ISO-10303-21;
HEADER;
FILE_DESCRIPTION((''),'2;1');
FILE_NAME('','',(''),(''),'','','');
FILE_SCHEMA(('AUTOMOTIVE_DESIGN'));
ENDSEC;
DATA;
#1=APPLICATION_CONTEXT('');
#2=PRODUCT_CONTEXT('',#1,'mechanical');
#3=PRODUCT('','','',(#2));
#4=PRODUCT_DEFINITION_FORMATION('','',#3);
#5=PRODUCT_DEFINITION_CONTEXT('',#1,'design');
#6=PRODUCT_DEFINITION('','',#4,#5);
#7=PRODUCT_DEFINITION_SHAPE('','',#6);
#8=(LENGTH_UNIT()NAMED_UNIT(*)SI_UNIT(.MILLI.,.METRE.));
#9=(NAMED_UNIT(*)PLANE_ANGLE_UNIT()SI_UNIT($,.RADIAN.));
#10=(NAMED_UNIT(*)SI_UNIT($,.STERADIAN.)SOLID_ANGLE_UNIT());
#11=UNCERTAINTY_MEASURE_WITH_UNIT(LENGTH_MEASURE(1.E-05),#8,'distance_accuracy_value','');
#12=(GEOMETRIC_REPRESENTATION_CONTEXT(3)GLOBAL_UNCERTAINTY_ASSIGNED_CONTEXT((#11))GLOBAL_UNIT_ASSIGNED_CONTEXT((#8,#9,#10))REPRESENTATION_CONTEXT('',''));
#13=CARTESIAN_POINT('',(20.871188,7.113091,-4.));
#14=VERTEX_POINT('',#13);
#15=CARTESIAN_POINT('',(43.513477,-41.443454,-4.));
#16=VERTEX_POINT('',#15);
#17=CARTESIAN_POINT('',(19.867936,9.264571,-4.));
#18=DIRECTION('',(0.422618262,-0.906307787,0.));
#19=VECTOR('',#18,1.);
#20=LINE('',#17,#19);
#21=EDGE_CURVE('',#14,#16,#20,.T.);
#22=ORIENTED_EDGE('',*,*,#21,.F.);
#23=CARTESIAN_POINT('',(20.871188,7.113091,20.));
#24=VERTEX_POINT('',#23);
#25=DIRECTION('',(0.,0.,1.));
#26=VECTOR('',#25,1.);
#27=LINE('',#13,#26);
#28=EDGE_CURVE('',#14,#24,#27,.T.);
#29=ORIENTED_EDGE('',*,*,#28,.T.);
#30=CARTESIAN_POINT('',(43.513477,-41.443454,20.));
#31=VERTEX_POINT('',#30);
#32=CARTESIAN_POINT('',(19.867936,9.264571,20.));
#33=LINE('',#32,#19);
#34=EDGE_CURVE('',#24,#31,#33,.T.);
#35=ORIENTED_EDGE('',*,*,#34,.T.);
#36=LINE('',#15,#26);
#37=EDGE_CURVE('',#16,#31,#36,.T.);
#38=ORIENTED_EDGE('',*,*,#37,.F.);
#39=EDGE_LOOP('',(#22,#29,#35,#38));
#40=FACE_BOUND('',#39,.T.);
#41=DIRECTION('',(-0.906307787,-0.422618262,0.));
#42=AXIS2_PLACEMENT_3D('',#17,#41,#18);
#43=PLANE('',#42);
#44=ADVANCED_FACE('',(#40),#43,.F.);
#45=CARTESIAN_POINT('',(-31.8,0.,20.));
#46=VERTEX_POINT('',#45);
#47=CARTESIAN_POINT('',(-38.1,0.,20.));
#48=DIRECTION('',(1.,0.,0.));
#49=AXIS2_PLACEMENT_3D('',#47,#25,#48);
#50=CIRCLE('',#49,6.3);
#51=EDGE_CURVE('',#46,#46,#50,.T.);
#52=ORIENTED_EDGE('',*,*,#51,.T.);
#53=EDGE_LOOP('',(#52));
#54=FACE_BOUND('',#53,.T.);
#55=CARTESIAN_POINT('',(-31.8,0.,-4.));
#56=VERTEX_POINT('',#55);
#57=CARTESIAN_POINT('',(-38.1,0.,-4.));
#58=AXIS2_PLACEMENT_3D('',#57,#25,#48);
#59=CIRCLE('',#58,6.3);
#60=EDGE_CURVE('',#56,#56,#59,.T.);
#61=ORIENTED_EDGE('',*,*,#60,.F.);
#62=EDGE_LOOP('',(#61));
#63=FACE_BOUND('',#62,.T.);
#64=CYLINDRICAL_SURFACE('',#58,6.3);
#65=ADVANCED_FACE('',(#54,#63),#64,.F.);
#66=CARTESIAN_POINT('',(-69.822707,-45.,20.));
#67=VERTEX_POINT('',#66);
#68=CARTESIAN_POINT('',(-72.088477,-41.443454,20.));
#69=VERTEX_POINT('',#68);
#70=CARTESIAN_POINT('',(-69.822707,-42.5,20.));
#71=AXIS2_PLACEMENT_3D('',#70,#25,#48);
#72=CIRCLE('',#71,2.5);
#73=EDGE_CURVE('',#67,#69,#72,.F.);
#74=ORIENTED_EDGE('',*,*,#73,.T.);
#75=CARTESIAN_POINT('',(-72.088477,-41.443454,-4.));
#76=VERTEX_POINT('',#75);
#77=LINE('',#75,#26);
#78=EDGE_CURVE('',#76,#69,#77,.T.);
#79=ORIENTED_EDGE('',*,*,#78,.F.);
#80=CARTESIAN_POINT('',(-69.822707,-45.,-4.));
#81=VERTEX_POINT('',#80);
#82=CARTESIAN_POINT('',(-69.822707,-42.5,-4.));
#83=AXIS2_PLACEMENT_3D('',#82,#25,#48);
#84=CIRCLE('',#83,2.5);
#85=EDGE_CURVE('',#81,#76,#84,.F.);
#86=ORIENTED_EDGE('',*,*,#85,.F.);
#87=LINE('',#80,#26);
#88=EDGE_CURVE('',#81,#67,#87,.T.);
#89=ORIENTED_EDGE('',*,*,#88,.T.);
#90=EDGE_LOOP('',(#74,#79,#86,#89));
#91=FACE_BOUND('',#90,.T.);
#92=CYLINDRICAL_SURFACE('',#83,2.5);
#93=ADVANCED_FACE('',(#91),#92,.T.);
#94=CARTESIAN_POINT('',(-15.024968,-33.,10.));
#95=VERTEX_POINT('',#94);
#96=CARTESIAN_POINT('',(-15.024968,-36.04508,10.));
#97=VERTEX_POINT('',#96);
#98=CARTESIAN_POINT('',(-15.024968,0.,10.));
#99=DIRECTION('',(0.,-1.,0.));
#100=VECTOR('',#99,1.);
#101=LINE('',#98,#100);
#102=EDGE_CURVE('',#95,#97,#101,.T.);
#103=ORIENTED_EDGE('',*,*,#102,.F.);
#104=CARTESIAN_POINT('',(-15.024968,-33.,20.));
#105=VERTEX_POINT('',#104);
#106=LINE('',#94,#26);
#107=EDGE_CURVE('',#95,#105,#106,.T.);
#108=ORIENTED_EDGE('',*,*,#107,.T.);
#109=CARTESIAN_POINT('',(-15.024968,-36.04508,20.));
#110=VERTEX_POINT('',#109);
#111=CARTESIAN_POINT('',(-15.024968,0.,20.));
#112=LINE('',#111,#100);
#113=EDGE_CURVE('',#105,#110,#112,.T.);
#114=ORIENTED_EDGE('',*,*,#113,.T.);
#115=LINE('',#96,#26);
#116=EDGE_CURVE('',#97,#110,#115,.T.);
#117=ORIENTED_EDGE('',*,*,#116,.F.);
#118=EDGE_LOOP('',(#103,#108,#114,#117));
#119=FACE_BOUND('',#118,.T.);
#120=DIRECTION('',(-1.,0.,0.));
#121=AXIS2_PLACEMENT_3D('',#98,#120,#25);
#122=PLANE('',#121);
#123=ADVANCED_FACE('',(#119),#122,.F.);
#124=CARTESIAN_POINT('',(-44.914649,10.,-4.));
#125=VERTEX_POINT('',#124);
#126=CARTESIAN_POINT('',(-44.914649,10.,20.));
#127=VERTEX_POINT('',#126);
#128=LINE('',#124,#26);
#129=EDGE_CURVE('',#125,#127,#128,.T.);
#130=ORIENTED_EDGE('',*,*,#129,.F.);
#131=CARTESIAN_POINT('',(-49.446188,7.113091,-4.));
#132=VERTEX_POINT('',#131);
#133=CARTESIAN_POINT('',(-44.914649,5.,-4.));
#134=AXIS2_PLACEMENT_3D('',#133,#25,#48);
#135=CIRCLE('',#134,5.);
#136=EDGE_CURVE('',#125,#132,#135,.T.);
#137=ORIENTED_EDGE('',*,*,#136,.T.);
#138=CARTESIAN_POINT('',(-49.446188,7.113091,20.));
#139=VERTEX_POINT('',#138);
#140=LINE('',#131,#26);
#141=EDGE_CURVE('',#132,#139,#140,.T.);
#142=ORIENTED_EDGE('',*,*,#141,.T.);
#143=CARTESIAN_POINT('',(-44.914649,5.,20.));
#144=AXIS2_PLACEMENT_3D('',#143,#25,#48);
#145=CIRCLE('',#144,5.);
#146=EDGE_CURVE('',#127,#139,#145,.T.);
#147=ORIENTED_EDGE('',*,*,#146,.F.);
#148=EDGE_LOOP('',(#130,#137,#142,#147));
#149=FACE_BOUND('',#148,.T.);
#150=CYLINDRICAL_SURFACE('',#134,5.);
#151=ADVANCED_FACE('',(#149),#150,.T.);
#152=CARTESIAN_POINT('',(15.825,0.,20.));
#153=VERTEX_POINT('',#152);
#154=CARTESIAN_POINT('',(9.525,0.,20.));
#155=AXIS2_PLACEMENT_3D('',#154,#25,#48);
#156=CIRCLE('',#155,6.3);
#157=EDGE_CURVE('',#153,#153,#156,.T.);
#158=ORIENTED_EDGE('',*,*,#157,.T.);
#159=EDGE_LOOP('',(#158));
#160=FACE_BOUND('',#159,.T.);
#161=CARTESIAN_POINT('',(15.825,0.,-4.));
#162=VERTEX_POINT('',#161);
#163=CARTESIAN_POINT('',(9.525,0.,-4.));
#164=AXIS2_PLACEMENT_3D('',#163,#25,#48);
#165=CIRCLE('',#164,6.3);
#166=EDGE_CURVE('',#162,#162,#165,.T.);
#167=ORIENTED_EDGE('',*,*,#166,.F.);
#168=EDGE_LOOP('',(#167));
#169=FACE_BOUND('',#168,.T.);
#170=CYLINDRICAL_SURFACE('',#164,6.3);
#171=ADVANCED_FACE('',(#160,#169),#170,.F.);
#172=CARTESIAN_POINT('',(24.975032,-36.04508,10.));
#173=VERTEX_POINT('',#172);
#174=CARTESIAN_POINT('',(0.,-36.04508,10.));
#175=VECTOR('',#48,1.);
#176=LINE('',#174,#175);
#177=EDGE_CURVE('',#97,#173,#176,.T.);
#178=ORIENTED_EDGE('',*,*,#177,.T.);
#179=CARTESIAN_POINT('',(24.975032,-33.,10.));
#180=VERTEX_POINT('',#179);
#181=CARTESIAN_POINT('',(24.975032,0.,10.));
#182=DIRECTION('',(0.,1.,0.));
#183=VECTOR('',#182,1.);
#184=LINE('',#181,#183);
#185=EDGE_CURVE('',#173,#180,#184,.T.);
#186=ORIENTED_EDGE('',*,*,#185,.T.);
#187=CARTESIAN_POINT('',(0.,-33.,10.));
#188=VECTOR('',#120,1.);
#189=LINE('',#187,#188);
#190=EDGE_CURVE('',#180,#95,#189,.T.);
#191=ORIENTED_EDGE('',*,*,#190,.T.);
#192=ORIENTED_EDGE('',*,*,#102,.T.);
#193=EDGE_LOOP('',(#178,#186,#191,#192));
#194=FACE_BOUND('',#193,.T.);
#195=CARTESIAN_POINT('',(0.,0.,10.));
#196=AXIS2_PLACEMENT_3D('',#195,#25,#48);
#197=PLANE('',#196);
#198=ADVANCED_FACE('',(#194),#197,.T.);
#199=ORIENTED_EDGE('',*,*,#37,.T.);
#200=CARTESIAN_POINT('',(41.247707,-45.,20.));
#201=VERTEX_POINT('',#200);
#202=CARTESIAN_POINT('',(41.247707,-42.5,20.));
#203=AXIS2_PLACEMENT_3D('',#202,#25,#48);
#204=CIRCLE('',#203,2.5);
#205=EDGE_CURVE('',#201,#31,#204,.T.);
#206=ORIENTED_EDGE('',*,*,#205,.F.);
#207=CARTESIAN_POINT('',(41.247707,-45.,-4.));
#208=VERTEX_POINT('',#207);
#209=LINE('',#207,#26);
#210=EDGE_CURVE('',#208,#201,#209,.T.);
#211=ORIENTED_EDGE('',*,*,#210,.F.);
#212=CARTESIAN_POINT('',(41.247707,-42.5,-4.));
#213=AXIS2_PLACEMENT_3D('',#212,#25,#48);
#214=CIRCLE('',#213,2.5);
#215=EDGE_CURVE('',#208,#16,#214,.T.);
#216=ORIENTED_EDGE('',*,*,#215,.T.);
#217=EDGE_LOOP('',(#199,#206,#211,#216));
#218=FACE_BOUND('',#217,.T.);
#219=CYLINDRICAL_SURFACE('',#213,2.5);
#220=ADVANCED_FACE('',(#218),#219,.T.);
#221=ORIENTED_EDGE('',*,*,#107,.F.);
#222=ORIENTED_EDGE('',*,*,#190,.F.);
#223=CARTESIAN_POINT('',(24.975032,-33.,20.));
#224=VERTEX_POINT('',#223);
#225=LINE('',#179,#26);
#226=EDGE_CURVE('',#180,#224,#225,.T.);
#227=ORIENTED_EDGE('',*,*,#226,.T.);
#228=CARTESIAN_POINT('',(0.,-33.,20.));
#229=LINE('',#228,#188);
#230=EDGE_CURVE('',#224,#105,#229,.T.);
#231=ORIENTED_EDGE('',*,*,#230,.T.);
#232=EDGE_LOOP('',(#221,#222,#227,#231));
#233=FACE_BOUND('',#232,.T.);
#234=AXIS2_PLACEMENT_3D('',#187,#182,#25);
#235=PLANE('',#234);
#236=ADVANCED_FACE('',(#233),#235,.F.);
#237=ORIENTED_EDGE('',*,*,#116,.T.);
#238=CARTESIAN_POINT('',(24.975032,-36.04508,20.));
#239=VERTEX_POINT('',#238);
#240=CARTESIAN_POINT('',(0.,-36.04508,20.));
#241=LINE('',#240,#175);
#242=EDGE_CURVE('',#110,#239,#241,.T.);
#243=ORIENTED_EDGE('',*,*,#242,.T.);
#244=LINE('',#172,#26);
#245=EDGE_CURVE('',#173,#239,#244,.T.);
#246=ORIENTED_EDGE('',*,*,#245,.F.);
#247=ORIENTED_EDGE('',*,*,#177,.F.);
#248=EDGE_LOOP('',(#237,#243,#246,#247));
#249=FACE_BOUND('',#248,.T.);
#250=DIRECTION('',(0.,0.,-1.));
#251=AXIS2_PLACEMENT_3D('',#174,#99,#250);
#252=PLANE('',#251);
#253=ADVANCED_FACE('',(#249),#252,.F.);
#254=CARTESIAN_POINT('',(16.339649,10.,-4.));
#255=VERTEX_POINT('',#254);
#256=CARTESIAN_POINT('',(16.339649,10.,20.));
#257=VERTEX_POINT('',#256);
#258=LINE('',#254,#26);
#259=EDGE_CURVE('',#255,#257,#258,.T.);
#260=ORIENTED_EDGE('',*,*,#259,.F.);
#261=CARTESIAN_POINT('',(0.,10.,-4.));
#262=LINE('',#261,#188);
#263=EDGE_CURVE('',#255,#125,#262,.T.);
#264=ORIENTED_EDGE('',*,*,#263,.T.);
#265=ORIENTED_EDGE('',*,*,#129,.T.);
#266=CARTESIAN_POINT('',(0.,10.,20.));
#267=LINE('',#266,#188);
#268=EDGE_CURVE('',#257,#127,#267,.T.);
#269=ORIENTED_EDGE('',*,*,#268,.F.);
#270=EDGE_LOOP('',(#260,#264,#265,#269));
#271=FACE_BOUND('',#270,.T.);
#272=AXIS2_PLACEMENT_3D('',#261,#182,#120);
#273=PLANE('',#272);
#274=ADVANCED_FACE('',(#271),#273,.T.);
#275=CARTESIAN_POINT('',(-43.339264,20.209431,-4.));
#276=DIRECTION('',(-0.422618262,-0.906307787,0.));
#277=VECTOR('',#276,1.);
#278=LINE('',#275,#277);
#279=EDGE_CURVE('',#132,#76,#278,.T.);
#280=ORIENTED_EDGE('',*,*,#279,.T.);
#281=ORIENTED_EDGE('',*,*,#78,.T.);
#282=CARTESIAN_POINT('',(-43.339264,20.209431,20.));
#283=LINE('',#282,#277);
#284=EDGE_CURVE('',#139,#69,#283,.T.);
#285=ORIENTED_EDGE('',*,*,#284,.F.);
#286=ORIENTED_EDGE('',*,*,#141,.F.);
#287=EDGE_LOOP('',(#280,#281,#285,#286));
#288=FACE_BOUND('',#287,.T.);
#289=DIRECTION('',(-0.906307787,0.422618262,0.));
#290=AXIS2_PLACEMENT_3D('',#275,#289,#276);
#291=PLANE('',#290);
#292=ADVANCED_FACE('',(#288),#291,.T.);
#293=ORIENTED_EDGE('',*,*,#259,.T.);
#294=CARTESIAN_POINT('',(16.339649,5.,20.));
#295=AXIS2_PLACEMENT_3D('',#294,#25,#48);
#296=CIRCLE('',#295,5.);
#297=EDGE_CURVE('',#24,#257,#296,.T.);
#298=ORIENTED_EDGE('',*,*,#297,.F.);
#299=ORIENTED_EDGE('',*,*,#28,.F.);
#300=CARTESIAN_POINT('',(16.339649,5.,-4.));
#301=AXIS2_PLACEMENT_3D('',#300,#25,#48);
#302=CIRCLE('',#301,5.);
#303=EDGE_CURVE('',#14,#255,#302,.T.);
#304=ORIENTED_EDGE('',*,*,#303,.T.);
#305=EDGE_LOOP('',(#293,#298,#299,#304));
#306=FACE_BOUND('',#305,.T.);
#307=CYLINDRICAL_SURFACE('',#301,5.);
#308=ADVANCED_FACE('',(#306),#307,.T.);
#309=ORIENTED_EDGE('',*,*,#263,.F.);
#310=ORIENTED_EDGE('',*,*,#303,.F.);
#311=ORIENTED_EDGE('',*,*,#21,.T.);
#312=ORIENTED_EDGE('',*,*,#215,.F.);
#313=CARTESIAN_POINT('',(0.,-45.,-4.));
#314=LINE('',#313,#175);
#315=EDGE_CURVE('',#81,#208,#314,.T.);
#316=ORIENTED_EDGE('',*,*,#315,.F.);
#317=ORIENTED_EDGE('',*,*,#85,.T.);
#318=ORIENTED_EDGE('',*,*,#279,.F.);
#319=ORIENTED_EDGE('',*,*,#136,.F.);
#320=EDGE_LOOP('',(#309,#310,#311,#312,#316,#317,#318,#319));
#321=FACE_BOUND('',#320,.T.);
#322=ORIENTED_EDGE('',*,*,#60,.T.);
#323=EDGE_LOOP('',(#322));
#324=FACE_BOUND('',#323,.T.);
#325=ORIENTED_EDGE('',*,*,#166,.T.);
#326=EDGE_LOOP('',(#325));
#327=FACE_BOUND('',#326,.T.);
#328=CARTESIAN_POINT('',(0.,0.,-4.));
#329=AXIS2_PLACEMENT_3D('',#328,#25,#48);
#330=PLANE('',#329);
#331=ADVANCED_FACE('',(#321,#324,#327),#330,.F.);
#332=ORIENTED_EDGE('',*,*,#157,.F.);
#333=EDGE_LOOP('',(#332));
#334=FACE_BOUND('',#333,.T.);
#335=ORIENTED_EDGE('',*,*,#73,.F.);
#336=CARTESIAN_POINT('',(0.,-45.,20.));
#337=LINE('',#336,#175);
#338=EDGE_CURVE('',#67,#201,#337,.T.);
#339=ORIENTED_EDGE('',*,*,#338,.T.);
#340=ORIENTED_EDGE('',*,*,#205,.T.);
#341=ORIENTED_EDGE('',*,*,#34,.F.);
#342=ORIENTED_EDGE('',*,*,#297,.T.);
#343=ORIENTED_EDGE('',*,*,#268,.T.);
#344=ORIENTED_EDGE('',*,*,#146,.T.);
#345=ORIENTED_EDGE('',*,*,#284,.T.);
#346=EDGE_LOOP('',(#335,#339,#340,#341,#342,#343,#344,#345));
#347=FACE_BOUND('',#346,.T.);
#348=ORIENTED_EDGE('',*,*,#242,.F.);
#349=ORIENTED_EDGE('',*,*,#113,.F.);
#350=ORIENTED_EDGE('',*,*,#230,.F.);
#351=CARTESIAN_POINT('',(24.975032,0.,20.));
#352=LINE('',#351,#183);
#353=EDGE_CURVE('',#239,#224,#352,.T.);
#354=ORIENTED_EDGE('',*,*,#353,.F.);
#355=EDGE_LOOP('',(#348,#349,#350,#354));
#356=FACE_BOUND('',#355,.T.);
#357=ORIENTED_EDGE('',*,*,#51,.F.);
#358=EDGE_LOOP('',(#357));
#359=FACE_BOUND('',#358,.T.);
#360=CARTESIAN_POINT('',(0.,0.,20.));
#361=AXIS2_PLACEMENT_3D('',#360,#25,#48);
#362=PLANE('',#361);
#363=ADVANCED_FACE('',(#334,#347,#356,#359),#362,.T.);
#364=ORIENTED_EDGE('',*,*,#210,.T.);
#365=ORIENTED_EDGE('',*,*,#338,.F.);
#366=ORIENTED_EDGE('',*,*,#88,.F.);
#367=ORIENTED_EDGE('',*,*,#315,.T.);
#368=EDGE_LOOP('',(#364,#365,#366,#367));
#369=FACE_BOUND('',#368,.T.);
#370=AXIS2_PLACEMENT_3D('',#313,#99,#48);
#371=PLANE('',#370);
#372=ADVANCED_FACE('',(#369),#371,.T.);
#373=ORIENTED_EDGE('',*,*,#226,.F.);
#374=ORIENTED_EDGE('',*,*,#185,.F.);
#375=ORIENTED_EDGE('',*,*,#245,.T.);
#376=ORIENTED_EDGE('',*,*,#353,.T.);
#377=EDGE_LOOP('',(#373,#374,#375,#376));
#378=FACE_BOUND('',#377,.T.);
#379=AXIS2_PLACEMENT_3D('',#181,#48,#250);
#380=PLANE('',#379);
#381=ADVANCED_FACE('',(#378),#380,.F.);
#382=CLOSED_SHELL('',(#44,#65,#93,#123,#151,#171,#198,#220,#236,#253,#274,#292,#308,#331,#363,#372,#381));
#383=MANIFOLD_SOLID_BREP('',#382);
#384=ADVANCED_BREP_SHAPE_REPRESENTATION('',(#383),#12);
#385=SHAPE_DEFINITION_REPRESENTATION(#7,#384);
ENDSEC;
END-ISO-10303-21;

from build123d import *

# Parameters (mm, degrees)
BOSS_EXTRUDE1_DEPTH      = 20
BOSS_EXTRUDE1_DEPTH_BACK = 4
SKETCH1_R                = 6.3
SKETCH2_W                = 40
SKETCH2_H                = 3.045079522
CUT_EXTRUDE1_DEPTH       = 10


with BuildPart() as part:
    # Sketch1 → Boss-Extrude1 (new, two sides: drawn at the far end of the back side and taken through both)
    with BuildSketch(Plane.XY.offset(-BOSS_EXTRUDE1_DEPTH_BACK)):
        with BuildLine():
            ThreePointArc((-44.914648696, 10), (-47.601146738, 9.216957229), (-49.446187631, 7.113091309))
            Line((-49.446187631, 7.113091309), (-72.088476723, -41.443454346))
            ThreePointArc((-72.088476723, -41.443454346), (-71.93118587, -43.843249021), (-69.822707256, -45))
            Line((-69.822707256, -45), (41.247707256, -45))
            ThreePointArc((41.247707256, -45), (43.35618587, -43.843249021), (43.513476723, -41.443454346))
            Line((43.513476723, -41.443454346), (20.871187631, 7.113091309))
            ThreePointArc((20.871187631, 7.113091309), (19.026146738, 9.216957229), (16.339648696, 10))
            Line((16.339648696, 10), (-44.914648696, 10))
        make_face()
        with Locations((9.525, 0)):
            Circle(SKETCH1_R, mode=Mode.SUBTRACT)
        with Locations((-38.1, 0)):
            Circle(SKETCH1_R, mode=Mode.SUBTRACT)
    extrude(amount=BOSS_EXTRUDE1_DEPTH + BOSS_EXTRUDE1_DEPTH_BACK)

    # Sketch2 → Cut-Extrude1 (cut)
    with BuildSketch(Plane.XY.offset(20)):
        with Locations((4.975032248, -34.522539761)):
            Rectangle(SKETCH2_W, SKETCH2_H)
    extrude(amount=-CUT_EXTRUDE1_DEPTH, mode=Mode.SUBTRACT)


solid = part.part
